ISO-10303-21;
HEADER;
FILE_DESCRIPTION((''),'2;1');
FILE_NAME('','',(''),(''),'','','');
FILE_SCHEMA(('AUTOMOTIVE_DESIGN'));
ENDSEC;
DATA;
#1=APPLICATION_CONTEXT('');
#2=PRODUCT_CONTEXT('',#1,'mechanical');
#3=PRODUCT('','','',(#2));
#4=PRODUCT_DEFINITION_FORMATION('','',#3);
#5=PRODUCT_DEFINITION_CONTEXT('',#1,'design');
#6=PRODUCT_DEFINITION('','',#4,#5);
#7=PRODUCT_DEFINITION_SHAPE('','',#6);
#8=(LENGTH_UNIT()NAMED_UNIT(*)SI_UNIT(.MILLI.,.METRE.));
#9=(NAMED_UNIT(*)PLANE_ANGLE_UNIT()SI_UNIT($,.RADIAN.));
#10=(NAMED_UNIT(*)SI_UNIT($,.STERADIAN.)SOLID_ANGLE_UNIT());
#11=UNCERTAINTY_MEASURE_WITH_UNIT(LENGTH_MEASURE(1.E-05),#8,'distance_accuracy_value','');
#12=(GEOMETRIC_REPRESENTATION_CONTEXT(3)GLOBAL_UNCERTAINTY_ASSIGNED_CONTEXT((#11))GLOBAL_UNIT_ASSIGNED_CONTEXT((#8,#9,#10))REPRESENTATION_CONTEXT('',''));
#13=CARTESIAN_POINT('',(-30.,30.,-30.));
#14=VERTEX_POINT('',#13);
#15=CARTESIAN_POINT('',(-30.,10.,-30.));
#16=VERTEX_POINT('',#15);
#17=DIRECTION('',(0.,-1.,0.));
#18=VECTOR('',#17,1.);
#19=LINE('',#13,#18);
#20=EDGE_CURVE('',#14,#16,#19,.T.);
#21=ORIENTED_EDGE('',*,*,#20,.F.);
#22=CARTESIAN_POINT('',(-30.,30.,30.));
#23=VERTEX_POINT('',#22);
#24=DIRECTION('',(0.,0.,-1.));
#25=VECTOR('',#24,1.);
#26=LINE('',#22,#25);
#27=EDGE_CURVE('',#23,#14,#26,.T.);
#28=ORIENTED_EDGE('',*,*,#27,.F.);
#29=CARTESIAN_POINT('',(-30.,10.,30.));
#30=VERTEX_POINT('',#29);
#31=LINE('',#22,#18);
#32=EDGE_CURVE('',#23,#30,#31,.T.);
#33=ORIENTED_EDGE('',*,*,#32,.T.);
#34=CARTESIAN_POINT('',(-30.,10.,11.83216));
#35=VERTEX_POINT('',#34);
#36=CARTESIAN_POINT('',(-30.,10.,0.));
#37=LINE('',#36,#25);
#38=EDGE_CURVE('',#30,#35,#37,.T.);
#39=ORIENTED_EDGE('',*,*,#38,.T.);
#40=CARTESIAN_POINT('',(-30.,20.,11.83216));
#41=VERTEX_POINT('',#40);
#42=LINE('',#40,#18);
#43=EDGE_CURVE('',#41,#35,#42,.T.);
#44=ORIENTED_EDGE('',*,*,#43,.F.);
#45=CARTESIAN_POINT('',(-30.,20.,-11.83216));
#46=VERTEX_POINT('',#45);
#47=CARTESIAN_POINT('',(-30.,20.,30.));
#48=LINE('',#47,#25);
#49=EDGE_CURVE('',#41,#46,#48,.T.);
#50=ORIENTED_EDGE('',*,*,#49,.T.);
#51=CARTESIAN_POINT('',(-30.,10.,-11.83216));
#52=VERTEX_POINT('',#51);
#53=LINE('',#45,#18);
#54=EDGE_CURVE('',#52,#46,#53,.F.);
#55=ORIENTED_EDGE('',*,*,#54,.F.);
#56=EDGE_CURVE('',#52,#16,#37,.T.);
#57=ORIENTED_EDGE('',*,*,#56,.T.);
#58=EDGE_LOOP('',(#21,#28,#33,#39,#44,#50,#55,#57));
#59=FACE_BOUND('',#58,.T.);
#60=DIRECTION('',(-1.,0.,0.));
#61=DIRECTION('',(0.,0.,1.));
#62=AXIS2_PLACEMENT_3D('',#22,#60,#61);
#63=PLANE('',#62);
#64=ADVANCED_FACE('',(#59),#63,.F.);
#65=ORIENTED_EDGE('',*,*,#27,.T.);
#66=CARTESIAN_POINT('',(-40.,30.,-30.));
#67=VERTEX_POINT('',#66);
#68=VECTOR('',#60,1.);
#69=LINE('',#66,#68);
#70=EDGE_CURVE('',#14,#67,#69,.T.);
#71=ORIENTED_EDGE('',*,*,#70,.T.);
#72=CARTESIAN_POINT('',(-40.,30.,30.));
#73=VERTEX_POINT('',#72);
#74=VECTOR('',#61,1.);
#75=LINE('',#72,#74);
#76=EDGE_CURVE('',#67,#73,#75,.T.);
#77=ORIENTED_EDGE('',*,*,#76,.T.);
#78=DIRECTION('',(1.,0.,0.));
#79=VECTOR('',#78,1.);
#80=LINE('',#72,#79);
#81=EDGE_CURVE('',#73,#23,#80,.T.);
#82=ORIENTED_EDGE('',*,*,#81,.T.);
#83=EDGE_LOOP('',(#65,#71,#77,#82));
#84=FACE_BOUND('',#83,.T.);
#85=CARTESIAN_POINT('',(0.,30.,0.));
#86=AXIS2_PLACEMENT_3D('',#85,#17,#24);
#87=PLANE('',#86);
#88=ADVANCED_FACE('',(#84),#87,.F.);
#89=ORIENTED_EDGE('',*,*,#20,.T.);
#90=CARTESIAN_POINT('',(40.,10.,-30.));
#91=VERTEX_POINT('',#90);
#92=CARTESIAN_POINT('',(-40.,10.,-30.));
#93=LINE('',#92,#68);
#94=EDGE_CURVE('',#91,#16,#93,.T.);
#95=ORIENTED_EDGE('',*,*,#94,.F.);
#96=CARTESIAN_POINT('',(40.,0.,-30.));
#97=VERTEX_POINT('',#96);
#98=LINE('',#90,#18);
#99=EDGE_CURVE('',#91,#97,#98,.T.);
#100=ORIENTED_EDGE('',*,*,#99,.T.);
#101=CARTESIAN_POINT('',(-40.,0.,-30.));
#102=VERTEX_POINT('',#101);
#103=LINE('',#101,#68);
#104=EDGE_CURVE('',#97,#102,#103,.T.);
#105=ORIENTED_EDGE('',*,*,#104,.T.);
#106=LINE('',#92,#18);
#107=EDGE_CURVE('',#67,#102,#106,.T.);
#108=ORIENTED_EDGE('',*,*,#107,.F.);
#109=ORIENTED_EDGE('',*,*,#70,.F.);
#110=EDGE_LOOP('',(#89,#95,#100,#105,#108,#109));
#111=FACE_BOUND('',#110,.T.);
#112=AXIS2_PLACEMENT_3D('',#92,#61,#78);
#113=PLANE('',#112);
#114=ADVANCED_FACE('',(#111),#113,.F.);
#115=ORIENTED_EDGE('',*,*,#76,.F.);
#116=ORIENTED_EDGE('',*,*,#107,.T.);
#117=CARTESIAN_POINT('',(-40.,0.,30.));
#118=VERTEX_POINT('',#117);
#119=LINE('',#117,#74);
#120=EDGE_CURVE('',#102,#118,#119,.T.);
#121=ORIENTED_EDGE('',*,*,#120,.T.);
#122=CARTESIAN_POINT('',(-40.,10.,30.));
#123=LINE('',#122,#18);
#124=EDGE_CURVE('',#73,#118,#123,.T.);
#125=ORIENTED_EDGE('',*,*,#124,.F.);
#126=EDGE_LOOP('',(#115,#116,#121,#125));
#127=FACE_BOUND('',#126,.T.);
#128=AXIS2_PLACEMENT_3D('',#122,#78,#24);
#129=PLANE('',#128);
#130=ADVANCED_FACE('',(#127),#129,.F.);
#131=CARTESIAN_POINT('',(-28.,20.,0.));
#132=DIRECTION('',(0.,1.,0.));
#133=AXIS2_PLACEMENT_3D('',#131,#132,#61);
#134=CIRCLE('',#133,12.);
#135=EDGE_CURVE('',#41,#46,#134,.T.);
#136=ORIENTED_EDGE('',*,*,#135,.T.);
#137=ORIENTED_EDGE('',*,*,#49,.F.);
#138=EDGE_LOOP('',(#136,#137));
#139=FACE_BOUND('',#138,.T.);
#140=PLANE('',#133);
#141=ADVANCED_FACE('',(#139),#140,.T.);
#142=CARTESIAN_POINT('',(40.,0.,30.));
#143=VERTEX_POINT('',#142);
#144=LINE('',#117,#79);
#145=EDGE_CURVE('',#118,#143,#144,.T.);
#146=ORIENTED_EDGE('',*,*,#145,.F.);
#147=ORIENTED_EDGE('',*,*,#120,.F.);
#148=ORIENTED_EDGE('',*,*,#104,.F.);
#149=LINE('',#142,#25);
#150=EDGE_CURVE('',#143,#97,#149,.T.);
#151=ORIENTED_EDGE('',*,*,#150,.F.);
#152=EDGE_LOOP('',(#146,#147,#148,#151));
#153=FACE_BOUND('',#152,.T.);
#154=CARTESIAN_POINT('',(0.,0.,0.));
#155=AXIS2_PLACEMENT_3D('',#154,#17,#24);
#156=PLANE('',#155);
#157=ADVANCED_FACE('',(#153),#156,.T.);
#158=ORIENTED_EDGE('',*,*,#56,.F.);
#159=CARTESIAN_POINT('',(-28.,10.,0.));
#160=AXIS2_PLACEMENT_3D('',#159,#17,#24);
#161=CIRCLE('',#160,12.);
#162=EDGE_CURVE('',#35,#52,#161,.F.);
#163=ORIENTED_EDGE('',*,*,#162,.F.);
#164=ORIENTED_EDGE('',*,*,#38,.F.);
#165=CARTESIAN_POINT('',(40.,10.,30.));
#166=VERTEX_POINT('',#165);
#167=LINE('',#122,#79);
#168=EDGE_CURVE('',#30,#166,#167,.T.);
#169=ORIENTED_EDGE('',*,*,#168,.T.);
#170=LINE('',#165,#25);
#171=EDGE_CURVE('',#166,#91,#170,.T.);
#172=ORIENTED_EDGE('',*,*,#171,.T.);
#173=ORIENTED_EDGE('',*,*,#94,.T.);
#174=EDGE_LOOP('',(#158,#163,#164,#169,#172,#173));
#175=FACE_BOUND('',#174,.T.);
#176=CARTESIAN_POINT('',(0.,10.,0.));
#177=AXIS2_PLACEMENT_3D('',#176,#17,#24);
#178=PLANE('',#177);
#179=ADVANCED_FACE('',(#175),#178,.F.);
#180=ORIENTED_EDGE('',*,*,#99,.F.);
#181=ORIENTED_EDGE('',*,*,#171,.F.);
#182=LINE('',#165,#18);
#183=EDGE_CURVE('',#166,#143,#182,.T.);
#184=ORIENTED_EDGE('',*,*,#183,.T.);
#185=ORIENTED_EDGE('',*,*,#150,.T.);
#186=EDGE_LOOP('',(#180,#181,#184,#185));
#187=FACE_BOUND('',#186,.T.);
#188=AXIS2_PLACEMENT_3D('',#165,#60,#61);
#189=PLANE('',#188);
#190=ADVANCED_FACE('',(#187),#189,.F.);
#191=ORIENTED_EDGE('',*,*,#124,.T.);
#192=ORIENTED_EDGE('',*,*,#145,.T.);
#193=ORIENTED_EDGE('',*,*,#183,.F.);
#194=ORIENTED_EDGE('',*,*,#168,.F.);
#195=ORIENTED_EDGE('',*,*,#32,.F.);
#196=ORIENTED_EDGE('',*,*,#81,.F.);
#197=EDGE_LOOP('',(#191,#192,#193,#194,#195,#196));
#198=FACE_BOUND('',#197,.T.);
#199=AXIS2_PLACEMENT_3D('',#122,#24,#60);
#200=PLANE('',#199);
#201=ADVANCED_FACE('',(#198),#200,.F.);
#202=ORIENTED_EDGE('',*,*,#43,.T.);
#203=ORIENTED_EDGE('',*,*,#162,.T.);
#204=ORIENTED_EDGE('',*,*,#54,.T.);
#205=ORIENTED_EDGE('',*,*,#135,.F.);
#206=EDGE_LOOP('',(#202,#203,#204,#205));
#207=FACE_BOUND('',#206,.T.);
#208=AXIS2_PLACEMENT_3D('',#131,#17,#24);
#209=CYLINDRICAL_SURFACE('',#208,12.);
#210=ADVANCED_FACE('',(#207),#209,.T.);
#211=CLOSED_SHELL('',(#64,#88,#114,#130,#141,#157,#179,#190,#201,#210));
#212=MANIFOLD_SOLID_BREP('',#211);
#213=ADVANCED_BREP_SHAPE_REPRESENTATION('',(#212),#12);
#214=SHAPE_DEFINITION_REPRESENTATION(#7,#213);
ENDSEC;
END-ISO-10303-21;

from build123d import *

# Parameters (mm, degrees)
SKETCH1_W           = 80
SKETCH1_H           = 60
BOSS_EXTRUDE1_DEPTH = 10
SKETCH2_W           = 10
SKETCH2_H           = 60
BOSS_EXTRUDE2_DEPTH = 30
SKETCH3_R           = 12
BOSS_EXTRUDE3_DEPTH = 20


with BuildPart() as part:
    # Sketch1 → Boss-Extrude1 (new body)
    with BuildSketch(Plane(origin=(0, 0, 0), x_dir=(1, 0, 0), z_dir=(0, 1, 0))):
        Rectangle(SKETCH1_W, SKETCH1_H)
    extrude(amount=BOSS_EXTRUDE1_DEPTH)

    # Sketch2 → Boss-Extrude2 (add)
    with BuildSketch(Plane(origin=(0, 0, 0), x_dir=(1, 0, 0), z_dir=(0, 1, 0))):
        with Locations((-35, 0)):
            Rectangle(SKETCH2_W, SKETCH2_H)
    extrude(amount=BOSS_EXTRUDE2_DEPTH)

    # Sketch3 → Boss-Extrude3 (add)
    with BuildSketch(Plane(origin=(0, 0, 0), x_dir=(1, 0, 0), z_dir=(0, 1, 0))):
        with Locations((-28, 0)):
            Circle(SKETCH3_R)
    extrude(amount=BOSS_EXTRUDE3_DEPTH)


solid = part.part
